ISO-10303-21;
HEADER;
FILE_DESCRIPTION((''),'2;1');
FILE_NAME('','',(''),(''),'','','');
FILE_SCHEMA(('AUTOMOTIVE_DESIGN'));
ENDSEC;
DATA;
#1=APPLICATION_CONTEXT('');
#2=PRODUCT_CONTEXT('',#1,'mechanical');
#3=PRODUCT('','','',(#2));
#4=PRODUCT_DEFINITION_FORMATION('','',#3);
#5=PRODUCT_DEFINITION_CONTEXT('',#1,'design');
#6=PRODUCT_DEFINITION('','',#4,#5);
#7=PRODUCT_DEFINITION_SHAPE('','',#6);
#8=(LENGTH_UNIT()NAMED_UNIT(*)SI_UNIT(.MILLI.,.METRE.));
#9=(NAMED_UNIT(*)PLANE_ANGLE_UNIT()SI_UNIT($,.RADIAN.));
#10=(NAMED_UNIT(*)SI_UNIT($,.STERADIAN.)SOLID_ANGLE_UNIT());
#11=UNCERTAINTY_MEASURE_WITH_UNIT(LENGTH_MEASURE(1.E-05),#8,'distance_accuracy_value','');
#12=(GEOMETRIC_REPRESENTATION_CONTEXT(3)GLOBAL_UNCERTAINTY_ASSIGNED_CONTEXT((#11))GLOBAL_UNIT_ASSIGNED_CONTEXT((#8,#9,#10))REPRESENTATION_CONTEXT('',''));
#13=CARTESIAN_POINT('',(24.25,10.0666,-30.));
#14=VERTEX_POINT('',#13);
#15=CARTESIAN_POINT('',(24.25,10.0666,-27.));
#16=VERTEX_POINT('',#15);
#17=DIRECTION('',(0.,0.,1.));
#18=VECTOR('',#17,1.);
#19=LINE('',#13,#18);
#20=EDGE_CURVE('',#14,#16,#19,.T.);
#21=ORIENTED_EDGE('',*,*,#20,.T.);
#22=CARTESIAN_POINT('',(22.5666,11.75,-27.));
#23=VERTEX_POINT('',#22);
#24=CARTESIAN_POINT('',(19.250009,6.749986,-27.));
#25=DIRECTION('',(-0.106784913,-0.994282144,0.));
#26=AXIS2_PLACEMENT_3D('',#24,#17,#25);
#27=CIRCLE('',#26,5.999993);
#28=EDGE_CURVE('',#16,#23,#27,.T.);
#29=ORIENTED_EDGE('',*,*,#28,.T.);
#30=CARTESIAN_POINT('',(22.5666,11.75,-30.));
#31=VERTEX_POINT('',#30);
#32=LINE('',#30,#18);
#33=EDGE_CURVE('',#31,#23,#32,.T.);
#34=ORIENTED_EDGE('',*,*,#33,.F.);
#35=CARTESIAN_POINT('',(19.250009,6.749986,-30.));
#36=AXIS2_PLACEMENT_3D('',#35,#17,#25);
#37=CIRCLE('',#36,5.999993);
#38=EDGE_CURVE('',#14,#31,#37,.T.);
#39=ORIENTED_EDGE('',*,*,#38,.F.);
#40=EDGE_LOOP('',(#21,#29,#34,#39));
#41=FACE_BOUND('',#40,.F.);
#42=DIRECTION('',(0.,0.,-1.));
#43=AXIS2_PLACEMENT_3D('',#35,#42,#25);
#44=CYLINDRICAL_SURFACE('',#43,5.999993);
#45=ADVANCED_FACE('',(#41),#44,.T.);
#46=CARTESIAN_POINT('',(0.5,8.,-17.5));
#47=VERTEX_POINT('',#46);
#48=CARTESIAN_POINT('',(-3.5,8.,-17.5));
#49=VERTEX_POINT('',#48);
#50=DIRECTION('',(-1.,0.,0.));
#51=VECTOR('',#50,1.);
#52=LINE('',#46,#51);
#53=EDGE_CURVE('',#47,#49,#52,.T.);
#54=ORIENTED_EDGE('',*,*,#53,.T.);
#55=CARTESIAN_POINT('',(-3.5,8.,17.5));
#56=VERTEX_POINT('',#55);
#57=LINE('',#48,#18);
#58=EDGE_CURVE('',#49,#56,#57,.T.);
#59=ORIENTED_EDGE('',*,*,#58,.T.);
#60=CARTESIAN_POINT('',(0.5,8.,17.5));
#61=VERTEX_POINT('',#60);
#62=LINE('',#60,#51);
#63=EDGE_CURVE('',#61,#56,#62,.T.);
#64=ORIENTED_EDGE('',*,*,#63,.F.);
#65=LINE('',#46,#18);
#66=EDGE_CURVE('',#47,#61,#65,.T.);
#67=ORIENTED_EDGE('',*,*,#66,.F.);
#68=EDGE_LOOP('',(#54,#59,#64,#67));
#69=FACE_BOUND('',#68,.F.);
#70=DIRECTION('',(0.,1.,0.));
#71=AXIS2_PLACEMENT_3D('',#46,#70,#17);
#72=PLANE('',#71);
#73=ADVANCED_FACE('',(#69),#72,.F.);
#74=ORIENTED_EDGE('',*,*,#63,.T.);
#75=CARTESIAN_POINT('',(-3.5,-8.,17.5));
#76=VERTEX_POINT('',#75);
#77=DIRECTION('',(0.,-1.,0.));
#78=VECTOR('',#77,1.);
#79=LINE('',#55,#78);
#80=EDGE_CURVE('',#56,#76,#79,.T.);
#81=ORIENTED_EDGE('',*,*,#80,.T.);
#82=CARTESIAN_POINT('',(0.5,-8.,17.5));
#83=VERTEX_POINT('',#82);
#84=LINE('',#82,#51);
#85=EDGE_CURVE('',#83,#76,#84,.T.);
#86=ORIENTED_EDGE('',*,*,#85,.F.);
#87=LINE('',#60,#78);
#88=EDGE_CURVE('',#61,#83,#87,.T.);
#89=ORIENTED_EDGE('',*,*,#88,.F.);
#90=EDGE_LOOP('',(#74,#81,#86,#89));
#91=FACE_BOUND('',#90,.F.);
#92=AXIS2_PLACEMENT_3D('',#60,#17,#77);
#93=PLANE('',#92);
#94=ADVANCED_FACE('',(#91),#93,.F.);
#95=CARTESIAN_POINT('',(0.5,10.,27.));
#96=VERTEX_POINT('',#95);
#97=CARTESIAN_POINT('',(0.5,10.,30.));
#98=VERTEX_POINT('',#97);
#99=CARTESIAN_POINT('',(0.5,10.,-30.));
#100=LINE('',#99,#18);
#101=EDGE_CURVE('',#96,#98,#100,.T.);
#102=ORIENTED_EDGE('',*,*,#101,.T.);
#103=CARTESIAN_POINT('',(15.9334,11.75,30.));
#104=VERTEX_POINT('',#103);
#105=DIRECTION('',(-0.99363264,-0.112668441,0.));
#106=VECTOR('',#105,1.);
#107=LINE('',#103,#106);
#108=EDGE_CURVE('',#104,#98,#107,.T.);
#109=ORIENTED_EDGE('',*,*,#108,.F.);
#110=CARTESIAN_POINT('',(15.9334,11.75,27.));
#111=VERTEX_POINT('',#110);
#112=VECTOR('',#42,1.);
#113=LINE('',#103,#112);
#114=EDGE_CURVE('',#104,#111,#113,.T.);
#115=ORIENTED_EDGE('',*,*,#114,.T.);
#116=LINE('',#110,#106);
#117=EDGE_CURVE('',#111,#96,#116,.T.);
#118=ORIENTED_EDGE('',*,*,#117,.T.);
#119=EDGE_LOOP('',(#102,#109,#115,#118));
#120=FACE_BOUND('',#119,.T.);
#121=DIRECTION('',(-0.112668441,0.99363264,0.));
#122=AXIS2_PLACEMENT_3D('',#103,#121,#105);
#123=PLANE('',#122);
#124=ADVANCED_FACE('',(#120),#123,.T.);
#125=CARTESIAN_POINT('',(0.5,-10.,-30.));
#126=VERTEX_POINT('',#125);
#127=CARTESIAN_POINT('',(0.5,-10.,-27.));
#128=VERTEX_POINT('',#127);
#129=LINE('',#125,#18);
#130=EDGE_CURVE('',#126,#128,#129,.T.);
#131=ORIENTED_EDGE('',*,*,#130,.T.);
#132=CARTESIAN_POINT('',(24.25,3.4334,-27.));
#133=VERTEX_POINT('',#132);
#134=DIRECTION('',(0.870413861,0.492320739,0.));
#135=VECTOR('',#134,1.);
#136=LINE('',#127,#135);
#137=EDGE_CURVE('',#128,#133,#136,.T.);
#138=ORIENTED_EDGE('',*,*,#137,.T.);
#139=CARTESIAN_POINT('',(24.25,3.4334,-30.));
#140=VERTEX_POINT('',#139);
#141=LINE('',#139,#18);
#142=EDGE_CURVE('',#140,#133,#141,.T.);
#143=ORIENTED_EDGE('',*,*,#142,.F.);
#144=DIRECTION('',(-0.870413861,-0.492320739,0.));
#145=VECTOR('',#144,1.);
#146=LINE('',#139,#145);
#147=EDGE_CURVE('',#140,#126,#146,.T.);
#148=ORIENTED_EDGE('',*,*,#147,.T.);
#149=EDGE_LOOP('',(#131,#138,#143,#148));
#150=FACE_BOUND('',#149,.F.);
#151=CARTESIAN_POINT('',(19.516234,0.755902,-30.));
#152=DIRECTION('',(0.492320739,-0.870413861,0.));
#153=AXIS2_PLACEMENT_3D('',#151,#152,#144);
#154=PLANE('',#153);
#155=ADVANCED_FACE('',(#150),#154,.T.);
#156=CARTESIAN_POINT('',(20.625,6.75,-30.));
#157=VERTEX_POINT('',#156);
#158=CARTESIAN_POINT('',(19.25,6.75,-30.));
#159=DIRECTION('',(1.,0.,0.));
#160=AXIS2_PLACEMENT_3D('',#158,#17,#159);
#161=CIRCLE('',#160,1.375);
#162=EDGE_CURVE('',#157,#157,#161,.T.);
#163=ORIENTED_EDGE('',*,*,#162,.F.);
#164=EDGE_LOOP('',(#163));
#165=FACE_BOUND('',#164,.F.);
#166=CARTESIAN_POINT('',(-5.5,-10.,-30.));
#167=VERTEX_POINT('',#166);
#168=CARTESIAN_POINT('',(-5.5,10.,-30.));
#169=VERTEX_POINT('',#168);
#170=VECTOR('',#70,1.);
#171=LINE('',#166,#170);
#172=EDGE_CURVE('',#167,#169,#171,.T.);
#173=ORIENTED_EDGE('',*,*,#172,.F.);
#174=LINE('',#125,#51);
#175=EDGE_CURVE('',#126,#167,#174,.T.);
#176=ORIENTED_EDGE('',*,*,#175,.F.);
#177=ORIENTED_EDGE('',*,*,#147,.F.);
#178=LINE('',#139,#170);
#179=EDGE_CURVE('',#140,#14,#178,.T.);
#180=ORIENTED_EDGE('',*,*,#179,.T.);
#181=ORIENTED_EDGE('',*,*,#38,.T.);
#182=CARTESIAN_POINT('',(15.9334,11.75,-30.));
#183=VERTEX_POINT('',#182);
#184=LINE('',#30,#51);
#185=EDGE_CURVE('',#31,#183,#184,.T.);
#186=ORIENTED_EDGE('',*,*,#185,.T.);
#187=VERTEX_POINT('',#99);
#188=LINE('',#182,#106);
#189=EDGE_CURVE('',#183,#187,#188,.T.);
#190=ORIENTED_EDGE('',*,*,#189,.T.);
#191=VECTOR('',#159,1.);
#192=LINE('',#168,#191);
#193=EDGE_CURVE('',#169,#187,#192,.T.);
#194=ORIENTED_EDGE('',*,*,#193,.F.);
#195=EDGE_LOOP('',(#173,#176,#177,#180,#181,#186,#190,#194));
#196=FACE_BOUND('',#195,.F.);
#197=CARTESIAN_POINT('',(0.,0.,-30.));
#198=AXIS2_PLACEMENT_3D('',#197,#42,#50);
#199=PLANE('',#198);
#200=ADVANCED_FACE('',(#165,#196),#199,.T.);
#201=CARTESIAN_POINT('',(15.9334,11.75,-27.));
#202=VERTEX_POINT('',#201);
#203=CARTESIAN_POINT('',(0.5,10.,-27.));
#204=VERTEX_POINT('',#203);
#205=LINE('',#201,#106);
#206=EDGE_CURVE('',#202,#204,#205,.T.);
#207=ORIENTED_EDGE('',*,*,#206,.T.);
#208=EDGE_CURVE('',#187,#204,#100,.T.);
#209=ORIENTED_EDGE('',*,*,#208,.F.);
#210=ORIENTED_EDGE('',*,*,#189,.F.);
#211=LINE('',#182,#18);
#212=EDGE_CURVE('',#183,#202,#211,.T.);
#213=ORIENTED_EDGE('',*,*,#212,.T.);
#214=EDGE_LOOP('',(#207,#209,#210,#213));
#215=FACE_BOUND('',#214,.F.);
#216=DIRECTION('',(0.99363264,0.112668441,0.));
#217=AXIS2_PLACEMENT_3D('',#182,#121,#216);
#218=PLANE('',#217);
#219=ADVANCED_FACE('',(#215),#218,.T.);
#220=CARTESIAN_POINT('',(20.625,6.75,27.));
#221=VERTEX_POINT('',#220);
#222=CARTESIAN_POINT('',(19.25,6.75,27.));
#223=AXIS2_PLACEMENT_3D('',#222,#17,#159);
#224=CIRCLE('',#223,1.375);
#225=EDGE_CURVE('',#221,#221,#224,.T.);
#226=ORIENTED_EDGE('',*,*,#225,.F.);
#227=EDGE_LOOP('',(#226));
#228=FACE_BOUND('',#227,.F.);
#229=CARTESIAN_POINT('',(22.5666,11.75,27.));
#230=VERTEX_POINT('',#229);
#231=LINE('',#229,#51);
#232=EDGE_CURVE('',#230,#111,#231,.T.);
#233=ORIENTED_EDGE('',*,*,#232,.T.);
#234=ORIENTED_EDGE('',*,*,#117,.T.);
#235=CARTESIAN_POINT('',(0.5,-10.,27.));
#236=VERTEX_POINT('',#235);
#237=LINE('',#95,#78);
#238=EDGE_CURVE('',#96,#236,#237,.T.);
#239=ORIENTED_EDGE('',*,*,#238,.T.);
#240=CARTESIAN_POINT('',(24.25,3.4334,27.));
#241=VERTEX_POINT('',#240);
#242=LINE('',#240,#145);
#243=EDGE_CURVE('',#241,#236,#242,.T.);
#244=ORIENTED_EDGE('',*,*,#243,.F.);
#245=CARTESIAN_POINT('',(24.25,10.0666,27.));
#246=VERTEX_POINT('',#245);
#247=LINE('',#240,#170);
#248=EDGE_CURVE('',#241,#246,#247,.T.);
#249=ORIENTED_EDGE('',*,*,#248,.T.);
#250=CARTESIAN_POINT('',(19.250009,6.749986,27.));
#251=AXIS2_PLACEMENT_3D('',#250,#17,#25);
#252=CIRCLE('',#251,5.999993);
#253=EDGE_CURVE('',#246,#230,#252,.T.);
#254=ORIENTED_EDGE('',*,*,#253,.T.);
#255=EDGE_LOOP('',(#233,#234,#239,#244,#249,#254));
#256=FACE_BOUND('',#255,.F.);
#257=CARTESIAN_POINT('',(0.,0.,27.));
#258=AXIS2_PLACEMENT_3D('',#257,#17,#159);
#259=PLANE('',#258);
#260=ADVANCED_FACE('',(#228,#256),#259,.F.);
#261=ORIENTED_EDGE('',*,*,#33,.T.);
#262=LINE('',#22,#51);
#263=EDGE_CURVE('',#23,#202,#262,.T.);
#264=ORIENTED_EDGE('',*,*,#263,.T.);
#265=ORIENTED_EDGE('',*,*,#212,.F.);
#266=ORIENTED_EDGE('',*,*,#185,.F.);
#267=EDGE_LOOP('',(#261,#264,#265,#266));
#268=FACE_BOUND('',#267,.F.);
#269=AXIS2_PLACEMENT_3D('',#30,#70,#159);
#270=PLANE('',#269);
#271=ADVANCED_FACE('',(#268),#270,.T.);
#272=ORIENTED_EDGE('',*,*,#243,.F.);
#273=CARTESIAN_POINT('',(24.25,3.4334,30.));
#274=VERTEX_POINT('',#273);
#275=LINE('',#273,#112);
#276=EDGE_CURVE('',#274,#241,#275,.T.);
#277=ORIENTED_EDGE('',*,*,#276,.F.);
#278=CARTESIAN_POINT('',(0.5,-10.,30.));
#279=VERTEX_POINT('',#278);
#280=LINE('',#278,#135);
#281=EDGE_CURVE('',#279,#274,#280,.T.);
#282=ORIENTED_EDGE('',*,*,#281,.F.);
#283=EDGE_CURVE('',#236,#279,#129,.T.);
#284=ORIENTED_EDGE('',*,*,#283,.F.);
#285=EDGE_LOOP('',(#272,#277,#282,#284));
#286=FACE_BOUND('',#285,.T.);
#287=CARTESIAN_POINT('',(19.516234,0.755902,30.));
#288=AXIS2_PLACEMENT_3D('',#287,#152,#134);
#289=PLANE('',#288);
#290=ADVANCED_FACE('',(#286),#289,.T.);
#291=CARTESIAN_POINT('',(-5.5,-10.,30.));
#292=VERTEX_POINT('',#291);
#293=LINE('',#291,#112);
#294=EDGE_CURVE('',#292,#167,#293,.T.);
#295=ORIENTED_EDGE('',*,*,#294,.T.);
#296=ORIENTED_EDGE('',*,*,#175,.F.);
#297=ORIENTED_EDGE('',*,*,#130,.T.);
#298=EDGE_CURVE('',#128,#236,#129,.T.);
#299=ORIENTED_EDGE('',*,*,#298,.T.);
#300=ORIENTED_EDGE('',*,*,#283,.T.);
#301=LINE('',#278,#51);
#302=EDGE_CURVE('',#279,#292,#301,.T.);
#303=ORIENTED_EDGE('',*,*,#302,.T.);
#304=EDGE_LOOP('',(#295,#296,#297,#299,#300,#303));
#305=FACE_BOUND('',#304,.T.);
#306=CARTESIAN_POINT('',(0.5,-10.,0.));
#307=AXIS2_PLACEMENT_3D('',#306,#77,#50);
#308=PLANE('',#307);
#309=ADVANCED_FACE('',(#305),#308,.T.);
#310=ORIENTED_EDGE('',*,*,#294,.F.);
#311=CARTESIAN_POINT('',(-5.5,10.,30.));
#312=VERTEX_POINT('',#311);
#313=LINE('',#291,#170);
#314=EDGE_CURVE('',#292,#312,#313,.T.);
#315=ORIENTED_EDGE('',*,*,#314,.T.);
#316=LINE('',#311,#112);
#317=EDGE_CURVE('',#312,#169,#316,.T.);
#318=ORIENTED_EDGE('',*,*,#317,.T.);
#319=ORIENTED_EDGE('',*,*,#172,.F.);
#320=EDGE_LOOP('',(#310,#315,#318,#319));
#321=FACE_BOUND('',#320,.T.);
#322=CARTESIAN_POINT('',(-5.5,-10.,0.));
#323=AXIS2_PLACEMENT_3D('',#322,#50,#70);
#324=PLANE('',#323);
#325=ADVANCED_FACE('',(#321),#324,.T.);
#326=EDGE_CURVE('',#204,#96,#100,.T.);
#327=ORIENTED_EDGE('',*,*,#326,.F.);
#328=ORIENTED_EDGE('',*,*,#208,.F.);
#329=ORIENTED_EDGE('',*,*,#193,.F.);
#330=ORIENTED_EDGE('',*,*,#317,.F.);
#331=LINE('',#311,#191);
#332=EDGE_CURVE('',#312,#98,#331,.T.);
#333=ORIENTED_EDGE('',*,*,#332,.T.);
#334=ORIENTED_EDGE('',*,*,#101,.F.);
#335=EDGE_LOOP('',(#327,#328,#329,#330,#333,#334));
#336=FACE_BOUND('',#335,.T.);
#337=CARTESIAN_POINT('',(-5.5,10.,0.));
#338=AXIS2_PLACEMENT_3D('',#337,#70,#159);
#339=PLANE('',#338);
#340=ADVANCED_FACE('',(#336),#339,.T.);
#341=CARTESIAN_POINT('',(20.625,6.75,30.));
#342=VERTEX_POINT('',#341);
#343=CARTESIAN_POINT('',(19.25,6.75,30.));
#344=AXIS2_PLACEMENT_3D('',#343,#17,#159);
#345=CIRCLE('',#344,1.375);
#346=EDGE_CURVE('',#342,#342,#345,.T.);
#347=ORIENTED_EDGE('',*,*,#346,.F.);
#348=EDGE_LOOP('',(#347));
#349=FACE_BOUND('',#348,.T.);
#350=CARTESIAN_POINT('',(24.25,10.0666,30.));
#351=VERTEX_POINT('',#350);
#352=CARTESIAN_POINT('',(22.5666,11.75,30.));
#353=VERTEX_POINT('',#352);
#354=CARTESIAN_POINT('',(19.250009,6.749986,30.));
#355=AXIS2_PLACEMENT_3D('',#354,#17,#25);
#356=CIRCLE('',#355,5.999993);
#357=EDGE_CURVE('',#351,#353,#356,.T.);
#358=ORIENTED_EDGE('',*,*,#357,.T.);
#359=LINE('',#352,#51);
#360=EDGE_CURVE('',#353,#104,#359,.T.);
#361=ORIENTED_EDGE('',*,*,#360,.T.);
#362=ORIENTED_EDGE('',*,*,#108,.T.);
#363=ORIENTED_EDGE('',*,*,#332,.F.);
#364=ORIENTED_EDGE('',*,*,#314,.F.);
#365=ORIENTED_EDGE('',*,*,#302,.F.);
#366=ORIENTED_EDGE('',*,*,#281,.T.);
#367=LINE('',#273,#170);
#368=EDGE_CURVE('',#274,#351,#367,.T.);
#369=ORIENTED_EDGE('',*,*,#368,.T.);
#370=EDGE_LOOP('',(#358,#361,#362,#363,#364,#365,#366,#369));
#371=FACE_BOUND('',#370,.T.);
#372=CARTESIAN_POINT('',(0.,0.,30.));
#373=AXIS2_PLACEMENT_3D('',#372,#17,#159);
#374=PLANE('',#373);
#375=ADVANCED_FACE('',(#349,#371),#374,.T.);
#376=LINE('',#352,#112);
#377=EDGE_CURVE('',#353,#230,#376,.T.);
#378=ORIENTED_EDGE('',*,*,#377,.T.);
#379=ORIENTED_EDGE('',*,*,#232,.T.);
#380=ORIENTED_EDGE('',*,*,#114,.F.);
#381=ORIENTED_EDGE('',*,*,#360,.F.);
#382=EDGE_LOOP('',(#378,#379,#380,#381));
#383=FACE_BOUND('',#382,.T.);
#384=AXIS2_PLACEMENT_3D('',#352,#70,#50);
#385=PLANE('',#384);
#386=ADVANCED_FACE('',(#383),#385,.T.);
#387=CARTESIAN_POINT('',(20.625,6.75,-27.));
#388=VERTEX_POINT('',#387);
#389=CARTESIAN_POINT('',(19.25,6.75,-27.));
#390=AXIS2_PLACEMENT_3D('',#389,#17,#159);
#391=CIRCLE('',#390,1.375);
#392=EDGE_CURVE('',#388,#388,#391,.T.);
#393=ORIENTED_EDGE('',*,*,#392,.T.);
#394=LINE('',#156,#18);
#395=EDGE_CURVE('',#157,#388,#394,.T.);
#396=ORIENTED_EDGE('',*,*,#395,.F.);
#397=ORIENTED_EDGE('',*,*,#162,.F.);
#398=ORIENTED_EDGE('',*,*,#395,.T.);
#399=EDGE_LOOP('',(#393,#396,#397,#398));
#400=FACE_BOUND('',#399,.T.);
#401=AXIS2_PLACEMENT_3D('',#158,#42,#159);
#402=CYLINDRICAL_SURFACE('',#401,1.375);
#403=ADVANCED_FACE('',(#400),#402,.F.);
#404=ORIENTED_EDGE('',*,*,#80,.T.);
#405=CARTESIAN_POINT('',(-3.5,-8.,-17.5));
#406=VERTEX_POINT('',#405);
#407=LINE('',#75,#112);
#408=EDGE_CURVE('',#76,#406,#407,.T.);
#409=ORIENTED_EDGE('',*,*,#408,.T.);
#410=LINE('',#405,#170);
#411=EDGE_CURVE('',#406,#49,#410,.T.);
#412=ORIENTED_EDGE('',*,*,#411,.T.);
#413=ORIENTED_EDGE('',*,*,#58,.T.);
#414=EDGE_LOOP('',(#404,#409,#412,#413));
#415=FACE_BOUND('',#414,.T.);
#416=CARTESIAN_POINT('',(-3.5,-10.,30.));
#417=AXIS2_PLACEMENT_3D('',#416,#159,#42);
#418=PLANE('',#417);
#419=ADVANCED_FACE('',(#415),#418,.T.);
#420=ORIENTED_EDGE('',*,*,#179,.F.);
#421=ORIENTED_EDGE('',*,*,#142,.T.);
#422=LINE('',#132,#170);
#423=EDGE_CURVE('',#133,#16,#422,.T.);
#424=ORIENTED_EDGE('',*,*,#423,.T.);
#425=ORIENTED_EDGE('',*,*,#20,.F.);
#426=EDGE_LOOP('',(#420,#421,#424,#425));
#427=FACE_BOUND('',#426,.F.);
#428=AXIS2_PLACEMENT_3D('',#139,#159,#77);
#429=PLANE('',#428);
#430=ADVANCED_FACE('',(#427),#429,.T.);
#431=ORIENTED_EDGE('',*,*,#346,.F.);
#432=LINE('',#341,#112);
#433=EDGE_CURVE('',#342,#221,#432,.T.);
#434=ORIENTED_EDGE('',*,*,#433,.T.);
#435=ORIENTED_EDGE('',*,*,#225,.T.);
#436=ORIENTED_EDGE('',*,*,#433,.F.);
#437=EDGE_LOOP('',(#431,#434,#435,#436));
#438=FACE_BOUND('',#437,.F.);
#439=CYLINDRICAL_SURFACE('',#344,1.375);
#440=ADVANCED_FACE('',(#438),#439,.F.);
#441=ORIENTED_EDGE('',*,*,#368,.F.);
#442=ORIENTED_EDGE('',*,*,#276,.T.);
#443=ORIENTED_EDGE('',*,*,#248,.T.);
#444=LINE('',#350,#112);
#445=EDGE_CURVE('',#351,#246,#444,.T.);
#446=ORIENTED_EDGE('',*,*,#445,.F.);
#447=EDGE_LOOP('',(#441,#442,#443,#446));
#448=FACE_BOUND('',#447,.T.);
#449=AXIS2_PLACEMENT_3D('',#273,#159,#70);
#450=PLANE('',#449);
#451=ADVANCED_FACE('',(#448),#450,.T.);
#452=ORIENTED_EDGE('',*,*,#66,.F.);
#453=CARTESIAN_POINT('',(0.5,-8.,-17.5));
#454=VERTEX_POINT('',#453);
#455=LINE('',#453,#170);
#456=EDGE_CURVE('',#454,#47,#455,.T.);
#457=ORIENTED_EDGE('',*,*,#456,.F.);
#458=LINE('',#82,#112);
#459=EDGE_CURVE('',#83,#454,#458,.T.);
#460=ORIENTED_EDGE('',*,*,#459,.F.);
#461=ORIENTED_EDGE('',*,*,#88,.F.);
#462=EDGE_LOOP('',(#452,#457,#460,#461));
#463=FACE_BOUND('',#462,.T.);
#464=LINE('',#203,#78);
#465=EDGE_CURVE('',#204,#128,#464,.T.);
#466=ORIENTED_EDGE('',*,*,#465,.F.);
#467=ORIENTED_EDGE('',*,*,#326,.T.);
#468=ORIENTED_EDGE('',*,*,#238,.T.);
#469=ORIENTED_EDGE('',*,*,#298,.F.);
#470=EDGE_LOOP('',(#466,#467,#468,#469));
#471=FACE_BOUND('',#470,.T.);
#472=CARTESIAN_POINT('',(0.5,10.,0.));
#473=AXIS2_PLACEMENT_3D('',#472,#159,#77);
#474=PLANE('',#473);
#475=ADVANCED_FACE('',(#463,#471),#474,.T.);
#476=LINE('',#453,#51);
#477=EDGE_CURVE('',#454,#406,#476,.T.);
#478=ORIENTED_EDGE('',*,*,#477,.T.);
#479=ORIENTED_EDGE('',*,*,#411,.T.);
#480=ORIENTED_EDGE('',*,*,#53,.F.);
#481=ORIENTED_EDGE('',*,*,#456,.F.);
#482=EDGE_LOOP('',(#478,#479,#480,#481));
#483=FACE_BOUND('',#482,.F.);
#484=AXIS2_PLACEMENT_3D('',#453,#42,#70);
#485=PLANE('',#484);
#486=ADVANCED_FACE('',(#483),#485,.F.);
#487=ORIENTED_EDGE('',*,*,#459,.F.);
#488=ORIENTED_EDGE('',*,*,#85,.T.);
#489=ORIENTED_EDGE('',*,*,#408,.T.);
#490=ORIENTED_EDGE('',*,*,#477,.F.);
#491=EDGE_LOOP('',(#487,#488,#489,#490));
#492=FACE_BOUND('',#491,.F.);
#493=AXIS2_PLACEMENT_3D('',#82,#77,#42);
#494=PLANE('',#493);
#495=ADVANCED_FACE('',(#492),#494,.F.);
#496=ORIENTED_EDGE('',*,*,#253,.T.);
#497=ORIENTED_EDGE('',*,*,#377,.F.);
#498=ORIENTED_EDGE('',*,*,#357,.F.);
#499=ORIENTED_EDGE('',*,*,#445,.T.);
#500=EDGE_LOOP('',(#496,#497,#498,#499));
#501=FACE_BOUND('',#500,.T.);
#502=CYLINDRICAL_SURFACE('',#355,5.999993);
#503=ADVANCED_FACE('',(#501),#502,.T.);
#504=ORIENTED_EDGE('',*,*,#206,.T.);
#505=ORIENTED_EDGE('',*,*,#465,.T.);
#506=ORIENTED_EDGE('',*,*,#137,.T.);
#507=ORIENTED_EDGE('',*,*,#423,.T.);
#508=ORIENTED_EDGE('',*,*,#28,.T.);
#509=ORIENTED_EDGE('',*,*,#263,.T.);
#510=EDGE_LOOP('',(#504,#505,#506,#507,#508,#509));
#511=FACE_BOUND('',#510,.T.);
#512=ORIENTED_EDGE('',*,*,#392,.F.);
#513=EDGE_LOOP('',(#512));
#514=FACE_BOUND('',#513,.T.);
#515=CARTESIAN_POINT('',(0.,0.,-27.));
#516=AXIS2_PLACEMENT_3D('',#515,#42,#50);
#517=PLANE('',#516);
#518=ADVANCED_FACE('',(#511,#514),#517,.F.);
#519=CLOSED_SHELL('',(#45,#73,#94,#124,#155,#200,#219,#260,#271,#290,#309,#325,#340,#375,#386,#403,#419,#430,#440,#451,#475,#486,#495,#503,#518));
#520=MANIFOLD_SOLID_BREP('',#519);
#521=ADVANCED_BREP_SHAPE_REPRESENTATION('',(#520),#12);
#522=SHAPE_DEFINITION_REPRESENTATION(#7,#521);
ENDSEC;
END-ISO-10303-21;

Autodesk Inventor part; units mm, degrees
ref_plane "YZ Plane" through (0, 0, 0) normal (1, 0, 0) x (0, 1, 0)
ref_plane "XZ Plane" through (0, 0, 0) normal (0, 1, 0) x (-1, 0, 0)
ref_plane "Work Plane1" through (4.77, 2.8444, 22.011) normal (0, 0, 1) x (1, 0, 0)
sketch "Sketch1" plane through (0, 0, 0) normal (0, 0, 1) x (1, 0, 0)
  line L0 (0.5, -10) -> (-5.5, -10)
  line L1 (-5.5, -10) -> (-5.5, 10)
  line L2 (-5.5, 10) -> (0.5, 10)
  line L3 (0.5, 10) -> (0.5, -10)
  line L4 (-4, 8) -> (-4, -8) construction
  line L5 (0, 8) -> (-4, 8) construction
  line L6 (0, -8) -> (-4, -8) construction
  line L7 (0.5, -14.6916) -> (0.5, 15.0789) construction
  point P0 (0, 0)
  dimension "d0" = 2
  dimension "d1" = 2
  dimension "d3" = 6
  dimension "d4" = 0
extrude "Extrusion1" add sketch "Sketch1" along normal mid plane 60
sketch "Sketch2" plane through (0.5, -10, 30) normal (1, 0, 0) x (0, 0, -1)
  line L0 (47.5, 18) -> (12.5, 18) projected
  line L1 (12.5, 18) -> (12.5, 2) projected
  line L2 (12.5, 2) -> (47.5, 2) projected
  line L3 (47.5, 2) -> (47.5, 18) projected
  line L4 (41.725, 8.15) -> (18.275, 8.15) projected
  arc A0 (17.675, 8.75) -> (18.275, 8.15) centre (18.275, 8.75) ccw projected
  line L5 (17.675, 8.75) -> (17.675, 11.25) projected
  arc A1 (18.275, 11.85) -> (17.675, 11.25) centre (18.275, 11.25) ccw projected
  line L6 (18.275, 11.85) -> (41.725, 11.85) projected
  arc A2 (42.325, 11.25) -> (41.725, 11.85) centre (41.725, 11.25) ccw projected
  line L7 (42.325, 11.25) -> (42.325, 8.75) projected
  arc A3 (41.725, 8.15) -> (42.325, 8.75) centre (41.725, 8.75) ccw projected
  point P0 (30, 10)
extrude "Extrusion2" cut sketch "Sketch2" against normal blind 4 contours L3 L2 L1 L0 | L4 A0 L5 A1 L6 A2 L7 A3
sketch "Sketch3" plane through (0, 0, 30) normal (0, 0, 1) x (1, 0, 0)
  arc A0 (13.2615, 6.3791) -> (13.2616, 6.3779) centre (19.25, 6.75) ccw construction
  line L0 (-5.5, -10) -> (0.5, -10) projected
  line L1 (0.5, 10) -> (-5.5, 10) projected
  line L2 (0.5, 10) -> (0.5, -10)
  circle A1 centre (19.25, 6.75) radius 1.375
  line L3 (4.77, 6.75) -> (24.4771, 6.75) construction
  line L4 (24.25, 3.4334) -> (24.25, 10.0666)
  line L5 (22.5666, 11.75) -> (15.9334, 11.75)
  line L6 (24.25, 6.75) -> (19.25, 6.75) construction
  line L7 (19.25, 11.75) -> (19.25, 6.75) construction
  arc A2 (18.6093, 0.7843) -> (22.5666, 11.75) centre (19.25, 6.75) ccw
  line L8 (15.9334, 11.75) -> (0.5, 10)
  line L9 (0.5, -10) -> (24.25, 3.4334)
  arc A3 (2.5, 31.5) -> (-5.5, -10) centre (19.25, 6.75) ccw construction
  line L10 (0.5, -10) -> (0.5, 10) construction
  arc A4 (2.5, 25.5) -> (0.5, -10) centre (19.25, 6.75) ccw construction
  line L11 (2.5, 31.5) -> (2.5, 25.5) construction
  line L12 (2.77, 3.75) -> (0.5, 3.75) construction
  point P0 (0, 0)
  point P1 (19.25, 12.75)
  dimension "d12" = 2.75
  dimension "d13" = 6
  dimension "d18" = 1
  dimension "d19" = 2
  dimension "d20" = 3
extrude "Extrusion3" add sketch "Sketch3" against normal blind 3 contours L8 L5 A2 L4 L9 L2
mirror "Mirror1" about plane through (0, 0, 0) normal (0, 0, 1) of "Extrusion3"
